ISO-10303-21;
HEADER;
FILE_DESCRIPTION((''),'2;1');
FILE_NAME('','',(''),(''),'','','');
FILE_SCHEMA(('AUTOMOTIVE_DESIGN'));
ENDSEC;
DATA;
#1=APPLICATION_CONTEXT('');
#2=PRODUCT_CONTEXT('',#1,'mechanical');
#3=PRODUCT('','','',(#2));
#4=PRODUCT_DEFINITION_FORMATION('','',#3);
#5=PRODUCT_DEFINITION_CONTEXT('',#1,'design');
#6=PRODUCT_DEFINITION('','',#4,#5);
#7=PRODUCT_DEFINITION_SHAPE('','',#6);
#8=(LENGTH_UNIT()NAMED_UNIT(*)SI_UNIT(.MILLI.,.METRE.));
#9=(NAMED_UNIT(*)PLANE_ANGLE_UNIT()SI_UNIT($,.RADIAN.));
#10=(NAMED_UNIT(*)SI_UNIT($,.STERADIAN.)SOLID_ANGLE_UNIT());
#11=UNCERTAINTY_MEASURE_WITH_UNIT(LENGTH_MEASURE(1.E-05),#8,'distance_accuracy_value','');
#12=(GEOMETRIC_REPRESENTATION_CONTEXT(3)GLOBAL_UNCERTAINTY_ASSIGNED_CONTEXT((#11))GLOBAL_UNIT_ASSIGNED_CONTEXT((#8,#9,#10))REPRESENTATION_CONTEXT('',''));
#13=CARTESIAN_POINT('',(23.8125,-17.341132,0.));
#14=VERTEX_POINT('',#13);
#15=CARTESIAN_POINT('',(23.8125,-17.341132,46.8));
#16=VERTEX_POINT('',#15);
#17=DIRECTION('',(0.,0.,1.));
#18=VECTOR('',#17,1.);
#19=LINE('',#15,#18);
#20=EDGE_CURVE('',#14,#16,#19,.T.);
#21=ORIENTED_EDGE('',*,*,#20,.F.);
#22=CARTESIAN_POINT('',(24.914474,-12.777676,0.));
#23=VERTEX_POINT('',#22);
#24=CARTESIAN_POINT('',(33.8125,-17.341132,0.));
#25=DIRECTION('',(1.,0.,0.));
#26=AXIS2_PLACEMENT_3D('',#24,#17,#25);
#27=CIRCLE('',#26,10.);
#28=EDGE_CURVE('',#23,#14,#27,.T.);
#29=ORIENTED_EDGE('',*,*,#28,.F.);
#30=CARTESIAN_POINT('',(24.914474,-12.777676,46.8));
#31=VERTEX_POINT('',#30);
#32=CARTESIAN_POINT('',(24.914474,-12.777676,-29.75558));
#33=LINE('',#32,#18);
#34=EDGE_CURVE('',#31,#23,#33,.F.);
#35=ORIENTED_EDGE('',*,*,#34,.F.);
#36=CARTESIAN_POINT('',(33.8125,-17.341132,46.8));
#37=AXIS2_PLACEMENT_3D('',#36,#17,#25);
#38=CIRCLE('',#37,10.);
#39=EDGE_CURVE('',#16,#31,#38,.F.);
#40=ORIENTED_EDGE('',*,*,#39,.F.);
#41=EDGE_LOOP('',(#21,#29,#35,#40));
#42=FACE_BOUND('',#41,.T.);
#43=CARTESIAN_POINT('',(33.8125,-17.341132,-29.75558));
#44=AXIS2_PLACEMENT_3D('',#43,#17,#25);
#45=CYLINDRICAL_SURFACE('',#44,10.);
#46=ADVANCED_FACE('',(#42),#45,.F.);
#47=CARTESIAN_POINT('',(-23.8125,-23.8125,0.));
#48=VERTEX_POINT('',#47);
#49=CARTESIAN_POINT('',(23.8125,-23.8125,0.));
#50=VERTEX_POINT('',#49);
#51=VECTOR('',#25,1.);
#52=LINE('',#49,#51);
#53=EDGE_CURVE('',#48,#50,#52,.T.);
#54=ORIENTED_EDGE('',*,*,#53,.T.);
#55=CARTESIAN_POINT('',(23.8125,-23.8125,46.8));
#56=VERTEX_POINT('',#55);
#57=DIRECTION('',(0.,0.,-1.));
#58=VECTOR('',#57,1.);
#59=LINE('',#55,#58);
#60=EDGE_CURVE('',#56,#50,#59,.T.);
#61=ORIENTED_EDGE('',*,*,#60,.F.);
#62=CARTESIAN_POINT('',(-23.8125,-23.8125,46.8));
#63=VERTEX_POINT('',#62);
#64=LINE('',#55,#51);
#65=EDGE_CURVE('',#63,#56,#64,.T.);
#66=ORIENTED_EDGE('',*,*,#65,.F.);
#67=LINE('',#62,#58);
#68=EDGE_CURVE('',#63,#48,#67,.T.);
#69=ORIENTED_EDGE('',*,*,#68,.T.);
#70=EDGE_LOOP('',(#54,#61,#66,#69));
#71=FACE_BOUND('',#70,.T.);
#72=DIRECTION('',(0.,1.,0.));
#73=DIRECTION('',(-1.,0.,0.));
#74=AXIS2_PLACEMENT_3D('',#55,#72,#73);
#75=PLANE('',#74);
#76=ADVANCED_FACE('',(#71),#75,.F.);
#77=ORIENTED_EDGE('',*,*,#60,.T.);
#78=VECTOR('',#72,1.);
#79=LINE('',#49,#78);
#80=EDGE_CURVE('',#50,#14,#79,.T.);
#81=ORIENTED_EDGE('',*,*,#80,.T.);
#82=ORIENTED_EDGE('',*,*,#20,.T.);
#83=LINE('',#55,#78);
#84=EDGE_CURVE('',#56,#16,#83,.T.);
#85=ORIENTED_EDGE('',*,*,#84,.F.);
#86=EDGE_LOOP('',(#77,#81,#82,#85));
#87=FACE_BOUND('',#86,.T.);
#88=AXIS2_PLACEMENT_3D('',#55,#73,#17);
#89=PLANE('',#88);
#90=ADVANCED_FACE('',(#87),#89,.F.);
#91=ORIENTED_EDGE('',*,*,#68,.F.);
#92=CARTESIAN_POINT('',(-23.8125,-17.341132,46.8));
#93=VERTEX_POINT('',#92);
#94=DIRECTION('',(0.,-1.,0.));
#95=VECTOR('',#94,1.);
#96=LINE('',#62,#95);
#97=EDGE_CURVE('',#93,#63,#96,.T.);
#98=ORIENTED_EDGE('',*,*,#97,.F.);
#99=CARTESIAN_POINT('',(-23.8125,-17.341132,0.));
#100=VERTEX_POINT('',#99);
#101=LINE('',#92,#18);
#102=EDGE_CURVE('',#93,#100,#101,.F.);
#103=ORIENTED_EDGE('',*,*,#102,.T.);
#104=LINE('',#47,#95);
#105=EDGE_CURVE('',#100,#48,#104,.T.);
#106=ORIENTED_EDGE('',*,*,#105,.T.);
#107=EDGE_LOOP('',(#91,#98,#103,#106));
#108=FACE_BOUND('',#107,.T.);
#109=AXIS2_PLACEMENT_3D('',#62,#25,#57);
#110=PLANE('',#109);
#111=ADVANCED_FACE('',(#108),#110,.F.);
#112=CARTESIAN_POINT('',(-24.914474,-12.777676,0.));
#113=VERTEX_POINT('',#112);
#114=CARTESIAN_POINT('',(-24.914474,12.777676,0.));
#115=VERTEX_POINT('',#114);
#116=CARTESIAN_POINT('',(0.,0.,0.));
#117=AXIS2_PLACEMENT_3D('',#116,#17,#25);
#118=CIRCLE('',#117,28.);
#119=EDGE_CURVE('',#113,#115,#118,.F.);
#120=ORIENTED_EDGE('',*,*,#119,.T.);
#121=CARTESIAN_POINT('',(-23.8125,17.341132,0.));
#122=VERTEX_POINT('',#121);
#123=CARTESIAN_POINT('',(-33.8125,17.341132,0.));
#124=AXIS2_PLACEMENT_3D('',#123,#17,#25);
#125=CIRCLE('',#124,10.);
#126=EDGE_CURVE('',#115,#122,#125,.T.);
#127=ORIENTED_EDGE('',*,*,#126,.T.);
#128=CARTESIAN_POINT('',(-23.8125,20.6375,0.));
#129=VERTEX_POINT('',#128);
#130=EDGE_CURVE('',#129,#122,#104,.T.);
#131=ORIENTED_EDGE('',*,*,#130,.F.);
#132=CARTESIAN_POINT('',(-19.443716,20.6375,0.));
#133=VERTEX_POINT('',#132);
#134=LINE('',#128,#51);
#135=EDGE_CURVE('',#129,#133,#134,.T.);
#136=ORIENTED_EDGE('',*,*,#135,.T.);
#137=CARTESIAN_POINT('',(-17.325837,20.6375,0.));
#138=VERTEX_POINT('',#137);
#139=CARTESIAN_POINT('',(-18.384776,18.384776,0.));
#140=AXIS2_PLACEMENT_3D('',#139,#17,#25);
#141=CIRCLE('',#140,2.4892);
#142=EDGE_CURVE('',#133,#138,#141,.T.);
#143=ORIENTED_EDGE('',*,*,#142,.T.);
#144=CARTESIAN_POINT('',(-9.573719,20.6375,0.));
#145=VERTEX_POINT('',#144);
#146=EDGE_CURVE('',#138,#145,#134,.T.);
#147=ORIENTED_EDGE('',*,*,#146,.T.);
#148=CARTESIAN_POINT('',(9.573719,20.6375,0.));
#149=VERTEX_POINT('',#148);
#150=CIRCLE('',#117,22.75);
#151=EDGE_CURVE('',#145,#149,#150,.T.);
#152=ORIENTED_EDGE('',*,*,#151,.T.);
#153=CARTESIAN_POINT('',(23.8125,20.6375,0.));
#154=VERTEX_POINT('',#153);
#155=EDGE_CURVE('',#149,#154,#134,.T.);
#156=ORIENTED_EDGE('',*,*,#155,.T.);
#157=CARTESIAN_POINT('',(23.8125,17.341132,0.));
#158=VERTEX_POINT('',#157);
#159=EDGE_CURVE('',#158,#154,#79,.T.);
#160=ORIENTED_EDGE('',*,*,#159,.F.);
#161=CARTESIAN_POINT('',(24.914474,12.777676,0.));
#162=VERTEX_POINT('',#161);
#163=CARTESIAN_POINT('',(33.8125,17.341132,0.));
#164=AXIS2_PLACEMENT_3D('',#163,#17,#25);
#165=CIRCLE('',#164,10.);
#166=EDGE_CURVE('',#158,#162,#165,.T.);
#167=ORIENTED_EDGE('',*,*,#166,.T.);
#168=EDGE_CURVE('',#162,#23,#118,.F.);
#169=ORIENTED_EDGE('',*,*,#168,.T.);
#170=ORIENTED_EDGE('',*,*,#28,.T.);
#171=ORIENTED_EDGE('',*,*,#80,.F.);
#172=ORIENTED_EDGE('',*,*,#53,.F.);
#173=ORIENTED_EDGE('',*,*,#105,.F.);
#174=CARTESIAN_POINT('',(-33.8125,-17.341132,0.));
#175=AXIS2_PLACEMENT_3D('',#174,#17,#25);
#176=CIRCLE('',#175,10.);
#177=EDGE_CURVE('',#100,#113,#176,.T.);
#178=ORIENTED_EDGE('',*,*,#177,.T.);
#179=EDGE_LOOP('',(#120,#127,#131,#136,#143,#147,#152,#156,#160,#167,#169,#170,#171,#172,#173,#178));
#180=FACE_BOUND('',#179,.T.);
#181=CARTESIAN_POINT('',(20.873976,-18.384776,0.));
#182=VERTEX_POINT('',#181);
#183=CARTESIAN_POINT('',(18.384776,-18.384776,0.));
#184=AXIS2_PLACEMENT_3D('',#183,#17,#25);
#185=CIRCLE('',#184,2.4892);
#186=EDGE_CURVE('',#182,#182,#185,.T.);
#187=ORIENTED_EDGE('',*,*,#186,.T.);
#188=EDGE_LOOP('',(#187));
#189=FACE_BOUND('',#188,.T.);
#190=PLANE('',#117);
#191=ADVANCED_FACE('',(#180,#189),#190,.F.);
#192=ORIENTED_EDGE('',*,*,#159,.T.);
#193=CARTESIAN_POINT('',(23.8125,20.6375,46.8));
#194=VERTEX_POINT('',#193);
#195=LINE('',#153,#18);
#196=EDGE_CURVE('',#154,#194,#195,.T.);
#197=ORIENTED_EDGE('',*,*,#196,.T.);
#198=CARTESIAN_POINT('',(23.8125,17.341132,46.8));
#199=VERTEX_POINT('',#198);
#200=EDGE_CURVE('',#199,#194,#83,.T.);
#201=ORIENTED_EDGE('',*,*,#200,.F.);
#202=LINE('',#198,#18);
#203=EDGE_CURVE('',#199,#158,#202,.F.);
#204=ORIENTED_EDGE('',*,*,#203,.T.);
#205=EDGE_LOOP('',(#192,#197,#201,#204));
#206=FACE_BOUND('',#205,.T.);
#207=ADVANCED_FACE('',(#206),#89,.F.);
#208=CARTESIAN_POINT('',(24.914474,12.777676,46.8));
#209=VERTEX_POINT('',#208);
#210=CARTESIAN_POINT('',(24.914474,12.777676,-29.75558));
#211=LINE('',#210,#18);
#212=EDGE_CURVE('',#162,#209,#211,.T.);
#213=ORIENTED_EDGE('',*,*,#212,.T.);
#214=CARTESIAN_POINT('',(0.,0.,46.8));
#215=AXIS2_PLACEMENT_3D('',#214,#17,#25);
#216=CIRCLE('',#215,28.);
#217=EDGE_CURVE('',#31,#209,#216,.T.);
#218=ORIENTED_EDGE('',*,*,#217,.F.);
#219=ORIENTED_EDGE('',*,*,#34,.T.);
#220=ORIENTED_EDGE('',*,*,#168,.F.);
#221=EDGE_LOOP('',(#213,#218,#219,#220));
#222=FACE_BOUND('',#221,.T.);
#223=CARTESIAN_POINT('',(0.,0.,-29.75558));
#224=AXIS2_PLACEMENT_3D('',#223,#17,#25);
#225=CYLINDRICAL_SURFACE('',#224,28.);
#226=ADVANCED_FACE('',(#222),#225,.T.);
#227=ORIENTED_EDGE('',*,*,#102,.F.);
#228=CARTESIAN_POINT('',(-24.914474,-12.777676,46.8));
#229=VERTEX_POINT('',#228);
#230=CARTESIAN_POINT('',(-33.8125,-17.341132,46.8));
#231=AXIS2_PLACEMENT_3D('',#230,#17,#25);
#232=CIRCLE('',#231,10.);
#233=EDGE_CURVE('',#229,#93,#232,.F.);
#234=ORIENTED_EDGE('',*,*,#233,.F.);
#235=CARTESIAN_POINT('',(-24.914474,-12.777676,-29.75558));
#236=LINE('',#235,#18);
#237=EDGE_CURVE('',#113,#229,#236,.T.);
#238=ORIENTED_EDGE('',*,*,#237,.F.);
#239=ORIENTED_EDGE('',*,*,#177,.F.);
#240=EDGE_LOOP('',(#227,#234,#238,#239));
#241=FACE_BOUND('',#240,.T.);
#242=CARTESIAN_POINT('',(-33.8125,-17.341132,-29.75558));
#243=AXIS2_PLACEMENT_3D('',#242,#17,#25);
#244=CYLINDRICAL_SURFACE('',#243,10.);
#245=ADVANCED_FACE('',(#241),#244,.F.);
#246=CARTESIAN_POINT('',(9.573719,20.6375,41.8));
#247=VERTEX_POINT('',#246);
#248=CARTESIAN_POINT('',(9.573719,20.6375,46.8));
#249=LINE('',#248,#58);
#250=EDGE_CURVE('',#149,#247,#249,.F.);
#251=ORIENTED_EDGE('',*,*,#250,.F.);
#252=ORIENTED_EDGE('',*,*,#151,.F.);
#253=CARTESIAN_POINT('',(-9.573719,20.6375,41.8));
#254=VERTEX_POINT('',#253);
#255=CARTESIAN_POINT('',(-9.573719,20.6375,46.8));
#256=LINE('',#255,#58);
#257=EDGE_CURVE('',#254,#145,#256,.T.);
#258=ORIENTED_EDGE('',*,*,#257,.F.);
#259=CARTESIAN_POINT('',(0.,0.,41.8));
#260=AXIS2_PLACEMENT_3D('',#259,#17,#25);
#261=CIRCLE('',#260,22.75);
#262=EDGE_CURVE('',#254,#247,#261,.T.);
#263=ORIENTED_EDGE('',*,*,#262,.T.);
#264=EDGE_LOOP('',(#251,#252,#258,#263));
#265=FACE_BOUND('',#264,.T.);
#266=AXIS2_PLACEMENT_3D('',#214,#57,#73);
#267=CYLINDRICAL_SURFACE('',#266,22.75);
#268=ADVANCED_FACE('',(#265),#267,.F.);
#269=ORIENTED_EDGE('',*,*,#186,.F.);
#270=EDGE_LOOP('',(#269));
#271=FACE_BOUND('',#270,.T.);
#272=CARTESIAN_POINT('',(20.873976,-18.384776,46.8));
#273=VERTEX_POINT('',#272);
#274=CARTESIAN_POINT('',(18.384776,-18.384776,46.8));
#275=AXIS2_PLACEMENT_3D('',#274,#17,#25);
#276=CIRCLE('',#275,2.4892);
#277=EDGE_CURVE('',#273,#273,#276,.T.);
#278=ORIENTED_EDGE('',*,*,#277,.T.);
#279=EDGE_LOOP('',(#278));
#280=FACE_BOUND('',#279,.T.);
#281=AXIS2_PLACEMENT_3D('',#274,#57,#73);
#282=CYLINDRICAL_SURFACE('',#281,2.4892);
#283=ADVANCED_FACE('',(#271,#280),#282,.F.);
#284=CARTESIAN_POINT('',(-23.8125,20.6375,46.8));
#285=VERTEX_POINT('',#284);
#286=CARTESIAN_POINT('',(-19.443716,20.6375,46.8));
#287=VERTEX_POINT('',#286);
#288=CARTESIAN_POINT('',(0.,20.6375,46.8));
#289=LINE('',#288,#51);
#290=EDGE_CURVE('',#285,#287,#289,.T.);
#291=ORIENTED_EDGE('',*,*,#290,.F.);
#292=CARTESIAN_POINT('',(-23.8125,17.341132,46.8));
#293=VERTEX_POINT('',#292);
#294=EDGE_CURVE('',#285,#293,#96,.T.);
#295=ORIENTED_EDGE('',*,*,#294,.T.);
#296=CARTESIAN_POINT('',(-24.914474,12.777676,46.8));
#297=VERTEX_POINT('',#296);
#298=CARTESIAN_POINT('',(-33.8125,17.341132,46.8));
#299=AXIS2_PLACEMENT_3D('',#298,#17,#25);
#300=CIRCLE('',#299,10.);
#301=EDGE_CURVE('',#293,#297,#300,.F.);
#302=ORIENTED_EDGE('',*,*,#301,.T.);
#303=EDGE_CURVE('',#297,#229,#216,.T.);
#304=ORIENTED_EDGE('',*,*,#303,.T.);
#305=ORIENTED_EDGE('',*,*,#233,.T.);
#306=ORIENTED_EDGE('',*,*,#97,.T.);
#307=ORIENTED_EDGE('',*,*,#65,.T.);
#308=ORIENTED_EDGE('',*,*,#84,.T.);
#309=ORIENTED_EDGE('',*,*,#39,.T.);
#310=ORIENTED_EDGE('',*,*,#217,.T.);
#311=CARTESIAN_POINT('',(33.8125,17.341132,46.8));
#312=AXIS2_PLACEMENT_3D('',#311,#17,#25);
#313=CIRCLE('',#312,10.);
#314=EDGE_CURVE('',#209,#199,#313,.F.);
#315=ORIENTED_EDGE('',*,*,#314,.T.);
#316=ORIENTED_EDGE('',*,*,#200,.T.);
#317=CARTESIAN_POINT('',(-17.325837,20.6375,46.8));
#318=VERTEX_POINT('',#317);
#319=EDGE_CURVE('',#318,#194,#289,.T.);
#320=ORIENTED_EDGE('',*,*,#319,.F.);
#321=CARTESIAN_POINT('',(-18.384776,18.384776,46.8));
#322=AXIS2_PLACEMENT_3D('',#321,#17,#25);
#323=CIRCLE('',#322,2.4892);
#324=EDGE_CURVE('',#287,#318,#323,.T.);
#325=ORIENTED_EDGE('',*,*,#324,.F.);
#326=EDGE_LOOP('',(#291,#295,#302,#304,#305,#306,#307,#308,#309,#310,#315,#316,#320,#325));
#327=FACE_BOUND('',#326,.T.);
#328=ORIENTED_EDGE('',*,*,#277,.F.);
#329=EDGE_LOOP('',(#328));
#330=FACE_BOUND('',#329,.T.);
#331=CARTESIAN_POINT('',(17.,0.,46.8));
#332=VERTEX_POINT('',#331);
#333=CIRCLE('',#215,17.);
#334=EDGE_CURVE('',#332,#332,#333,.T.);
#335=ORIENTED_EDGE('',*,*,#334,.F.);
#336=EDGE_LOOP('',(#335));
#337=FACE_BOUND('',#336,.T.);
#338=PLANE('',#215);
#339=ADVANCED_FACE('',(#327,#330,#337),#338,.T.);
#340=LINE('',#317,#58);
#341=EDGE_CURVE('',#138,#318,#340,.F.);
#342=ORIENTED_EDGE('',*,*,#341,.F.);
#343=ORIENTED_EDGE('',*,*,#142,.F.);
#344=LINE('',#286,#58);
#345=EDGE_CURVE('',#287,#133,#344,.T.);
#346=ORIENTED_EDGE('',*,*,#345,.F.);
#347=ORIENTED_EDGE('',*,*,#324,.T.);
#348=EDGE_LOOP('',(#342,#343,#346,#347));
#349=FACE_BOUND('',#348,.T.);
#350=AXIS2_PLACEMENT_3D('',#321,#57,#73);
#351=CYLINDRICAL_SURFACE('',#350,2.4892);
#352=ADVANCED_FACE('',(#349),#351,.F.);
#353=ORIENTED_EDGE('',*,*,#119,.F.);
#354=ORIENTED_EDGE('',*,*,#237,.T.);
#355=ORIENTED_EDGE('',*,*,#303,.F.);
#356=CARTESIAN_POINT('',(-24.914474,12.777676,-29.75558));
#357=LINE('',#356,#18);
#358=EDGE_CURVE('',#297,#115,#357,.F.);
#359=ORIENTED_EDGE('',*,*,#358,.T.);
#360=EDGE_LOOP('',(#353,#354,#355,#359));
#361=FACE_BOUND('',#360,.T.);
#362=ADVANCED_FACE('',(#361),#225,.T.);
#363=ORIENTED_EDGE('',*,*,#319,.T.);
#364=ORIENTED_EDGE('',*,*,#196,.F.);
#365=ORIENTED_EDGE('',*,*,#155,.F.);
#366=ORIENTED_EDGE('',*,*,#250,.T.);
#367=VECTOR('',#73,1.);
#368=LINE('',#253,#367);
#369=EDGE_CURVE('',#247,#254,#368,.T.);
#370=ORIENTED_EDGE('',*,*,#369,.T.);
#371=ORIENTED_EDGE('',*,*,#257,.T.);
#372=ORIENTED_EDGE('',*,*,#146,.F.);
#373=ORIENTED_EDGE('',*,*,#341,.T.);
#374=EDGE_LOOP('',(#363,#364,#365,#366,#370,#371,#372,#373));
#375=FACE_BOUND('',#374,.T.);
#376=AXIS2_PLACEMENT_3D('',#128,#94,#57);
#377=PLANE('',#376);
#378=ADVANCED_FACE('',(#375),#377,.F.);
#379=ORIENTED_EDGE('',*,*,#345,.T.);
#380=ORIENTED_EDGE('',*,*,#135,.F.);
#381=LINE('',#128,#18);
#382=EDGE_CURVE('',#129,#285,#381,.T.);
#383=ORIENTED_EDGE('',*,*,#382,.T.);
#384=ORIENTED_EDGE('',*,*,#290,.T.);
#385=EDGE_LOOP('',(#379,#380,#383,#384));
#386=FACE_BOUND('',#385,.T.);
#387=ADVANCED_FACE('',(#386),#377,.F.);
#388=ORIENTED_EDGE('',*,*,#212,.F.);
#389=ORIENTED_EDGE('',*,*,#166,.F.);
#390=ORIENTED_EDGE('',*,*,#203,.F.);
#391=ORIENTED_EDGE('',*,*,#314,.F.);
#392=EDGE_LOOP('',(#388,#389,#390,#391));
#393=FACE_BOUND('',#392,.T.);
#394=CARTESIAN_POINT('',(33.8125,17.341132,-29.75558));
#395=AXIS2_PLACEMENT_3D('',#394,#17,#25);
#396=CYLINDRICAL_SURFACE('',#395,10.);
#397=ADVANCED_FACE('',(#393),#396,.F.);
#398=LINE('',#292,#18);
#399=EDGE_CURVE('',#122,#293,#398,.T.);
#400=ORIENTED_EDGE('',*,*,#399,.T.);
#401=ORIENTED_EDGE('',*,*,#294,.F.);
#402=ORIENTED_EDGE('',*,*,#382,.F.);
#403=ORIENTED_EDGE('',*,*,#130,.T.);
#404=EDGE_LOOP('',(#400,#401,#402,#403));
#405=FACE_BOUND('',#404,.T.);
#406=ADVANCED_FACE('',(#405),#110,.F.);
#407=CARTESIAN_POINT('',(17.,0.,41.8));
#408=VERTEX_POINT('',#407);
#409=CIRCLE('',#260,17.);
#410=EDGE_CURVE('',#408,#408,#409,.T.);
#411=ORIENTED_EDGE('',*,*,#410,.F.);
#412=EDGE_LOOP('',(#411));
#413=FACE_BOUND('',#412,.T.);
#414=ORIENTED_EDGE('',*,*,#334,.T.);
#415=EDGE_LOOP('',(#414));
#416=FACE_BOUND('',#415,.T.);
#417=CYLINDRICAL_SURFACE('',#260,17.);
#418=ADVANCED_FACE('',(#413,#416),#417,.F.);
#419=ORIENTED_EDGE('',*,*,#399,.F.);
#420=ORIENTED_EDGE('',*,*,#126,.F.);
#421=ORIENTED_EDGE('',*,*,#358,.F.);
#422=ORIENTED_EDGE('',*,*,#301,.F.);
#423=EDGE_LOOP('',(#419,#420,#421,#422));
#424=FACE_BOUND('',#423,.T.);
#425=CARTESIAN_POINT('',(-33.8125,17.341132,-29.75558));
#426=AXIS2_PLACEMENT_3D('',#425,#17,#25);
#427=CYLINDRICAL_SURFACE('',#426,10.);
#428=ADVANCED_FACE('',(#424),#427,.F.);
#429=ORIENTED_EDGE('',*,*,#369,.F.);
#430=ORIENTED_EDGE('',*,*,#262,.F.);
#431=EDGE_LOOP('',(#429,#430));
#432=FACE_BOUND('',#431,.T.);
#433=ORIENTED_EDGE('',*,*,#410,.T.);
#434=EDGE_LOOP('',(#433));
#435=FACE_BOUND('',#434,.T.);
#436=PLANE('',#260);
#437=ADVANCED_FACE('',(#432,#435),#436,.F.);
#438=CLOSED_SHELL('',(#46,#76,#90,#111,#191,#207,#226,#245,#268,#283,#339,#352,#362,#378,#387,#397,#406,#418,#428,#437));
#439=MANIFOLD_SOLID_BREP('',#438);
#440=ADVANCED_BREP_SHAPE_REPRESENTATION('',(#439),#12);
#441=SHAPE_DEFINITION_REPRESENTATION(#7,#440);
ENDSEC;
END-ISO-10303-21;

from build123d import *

# Parameters (mm, degrees)
SKETCH1_W               = 47.625
SKETCH1_H               = 47.625
SKETCH1_R               = 22.75
SKETCH1_R_2             = 2.4892
BOSS_EXTRUDE1_DEPTH     = 46.8
CUT_EXTRUDE1_DEPTH      = 58.656832314
CUT_EXTRUDE1_DEPTH_BACK = 58.656832314
SKETCH2_W               = 47.625
SKETCH2_H               = 3.175
BOSS_EXTRUDE2_DEPTH     = 46.8
FILLET1_R               = 10
BOSS_EXTRUDE3_START     = -5
SKETCH4_R               = 17
BOSS_EXTRUDE3_DEPTH     = 5


with BuildPart() as part:
    # Sketch1 → Boss-Extrude1 (new body)
    with BuildSketch(Plane.XY):
        Rectangle(SKETCH1_W, SKETCH1_H)
        Circle(SKETCH1_R, mode=Mode.SUBTRACT)
        with Locations((-18.384776311, 18.384776311)):
            Circle(SKETCH1_R_2, mode=Mode.SUBTRACT)
        with Locations((18.384776311, -18.384776311)):
            Circle(SKETCH1_R_2, mode=Mode.SUBTRACT)
    extrude(amount=BOSS_EXTRUDE1_DEPTH)

    # Sketch2 → Cut-Extrude1 (cut, two sides: drawn at the far end of the back side and taken through both)
    with BuildSketch(Plane.XY.offset(46.8).offset(-CUT_EXTRUDE1_DEPTH_BACK)):
        with Locations((0, 22.225)):
            Rectangle(SKETCH2_W, SKETCH2_H)
    extrude(amount=CUT_EXTRUDE1_DEPTH + CUT_EXTRUDE1_DEPTH_BACK, mode=Mode.SUBTRACT)

    # Sketch3 → Boss-Extrude2 (add)
    with BuildSketch(Plane.XY.offset(46.8)):
        with BuildLine():
            Line((23.8125, -14.729726533), (23.8125, 14.729726533))
            ThreePointArc((23.8125, 14.729726533), (28, 0), (23.8125, -14.729726533))
        make_face()
        with BuildLine():
            Line((-23.8125, 14.729726533), (-23.8125, -14.729726533))
            ThreePointArc((-23.8125, -14.729726533), (-28, 0), (-23.8125, 14.729726533))
        make_face()
    extrude(amount=-BOSS_EXTRUDE2_DEPTH)

    # Fillet1
    fillet1_edges = [part.edges().sort_by_distance(p)[0] for p in [
        (-23.8125, -14.729726533, 23.4),
        (-23.8125, 14.729726533, 23.4),
        (23.8125, 14.729726533, 23.4),
        (23.8125, -14.729726533, 23.4),
    ]]
    fillet(fillet1_edges, radius=FILLET1_R)

    # Sketch4 → Boss-Extrude3 (add)
    with BuildSketch(Plane.XY.offset(46.8).offset(BOSS_EXTRUDE3_START)):
        with BuildLine():
            Line((-9.573718909, 20.6375), (9.573718909, 20.6375))
            ThreePointArc((9.573718909, 20.6375), (0, -22.75), (-9.573718909, 20.6375))
        make_face()
        Circle(SKETCH4_R, mode=Mode.SUBTRACT)
    extrude(amount=BOSS_EXTRUDE3_DEPTH)


solid = part.part
